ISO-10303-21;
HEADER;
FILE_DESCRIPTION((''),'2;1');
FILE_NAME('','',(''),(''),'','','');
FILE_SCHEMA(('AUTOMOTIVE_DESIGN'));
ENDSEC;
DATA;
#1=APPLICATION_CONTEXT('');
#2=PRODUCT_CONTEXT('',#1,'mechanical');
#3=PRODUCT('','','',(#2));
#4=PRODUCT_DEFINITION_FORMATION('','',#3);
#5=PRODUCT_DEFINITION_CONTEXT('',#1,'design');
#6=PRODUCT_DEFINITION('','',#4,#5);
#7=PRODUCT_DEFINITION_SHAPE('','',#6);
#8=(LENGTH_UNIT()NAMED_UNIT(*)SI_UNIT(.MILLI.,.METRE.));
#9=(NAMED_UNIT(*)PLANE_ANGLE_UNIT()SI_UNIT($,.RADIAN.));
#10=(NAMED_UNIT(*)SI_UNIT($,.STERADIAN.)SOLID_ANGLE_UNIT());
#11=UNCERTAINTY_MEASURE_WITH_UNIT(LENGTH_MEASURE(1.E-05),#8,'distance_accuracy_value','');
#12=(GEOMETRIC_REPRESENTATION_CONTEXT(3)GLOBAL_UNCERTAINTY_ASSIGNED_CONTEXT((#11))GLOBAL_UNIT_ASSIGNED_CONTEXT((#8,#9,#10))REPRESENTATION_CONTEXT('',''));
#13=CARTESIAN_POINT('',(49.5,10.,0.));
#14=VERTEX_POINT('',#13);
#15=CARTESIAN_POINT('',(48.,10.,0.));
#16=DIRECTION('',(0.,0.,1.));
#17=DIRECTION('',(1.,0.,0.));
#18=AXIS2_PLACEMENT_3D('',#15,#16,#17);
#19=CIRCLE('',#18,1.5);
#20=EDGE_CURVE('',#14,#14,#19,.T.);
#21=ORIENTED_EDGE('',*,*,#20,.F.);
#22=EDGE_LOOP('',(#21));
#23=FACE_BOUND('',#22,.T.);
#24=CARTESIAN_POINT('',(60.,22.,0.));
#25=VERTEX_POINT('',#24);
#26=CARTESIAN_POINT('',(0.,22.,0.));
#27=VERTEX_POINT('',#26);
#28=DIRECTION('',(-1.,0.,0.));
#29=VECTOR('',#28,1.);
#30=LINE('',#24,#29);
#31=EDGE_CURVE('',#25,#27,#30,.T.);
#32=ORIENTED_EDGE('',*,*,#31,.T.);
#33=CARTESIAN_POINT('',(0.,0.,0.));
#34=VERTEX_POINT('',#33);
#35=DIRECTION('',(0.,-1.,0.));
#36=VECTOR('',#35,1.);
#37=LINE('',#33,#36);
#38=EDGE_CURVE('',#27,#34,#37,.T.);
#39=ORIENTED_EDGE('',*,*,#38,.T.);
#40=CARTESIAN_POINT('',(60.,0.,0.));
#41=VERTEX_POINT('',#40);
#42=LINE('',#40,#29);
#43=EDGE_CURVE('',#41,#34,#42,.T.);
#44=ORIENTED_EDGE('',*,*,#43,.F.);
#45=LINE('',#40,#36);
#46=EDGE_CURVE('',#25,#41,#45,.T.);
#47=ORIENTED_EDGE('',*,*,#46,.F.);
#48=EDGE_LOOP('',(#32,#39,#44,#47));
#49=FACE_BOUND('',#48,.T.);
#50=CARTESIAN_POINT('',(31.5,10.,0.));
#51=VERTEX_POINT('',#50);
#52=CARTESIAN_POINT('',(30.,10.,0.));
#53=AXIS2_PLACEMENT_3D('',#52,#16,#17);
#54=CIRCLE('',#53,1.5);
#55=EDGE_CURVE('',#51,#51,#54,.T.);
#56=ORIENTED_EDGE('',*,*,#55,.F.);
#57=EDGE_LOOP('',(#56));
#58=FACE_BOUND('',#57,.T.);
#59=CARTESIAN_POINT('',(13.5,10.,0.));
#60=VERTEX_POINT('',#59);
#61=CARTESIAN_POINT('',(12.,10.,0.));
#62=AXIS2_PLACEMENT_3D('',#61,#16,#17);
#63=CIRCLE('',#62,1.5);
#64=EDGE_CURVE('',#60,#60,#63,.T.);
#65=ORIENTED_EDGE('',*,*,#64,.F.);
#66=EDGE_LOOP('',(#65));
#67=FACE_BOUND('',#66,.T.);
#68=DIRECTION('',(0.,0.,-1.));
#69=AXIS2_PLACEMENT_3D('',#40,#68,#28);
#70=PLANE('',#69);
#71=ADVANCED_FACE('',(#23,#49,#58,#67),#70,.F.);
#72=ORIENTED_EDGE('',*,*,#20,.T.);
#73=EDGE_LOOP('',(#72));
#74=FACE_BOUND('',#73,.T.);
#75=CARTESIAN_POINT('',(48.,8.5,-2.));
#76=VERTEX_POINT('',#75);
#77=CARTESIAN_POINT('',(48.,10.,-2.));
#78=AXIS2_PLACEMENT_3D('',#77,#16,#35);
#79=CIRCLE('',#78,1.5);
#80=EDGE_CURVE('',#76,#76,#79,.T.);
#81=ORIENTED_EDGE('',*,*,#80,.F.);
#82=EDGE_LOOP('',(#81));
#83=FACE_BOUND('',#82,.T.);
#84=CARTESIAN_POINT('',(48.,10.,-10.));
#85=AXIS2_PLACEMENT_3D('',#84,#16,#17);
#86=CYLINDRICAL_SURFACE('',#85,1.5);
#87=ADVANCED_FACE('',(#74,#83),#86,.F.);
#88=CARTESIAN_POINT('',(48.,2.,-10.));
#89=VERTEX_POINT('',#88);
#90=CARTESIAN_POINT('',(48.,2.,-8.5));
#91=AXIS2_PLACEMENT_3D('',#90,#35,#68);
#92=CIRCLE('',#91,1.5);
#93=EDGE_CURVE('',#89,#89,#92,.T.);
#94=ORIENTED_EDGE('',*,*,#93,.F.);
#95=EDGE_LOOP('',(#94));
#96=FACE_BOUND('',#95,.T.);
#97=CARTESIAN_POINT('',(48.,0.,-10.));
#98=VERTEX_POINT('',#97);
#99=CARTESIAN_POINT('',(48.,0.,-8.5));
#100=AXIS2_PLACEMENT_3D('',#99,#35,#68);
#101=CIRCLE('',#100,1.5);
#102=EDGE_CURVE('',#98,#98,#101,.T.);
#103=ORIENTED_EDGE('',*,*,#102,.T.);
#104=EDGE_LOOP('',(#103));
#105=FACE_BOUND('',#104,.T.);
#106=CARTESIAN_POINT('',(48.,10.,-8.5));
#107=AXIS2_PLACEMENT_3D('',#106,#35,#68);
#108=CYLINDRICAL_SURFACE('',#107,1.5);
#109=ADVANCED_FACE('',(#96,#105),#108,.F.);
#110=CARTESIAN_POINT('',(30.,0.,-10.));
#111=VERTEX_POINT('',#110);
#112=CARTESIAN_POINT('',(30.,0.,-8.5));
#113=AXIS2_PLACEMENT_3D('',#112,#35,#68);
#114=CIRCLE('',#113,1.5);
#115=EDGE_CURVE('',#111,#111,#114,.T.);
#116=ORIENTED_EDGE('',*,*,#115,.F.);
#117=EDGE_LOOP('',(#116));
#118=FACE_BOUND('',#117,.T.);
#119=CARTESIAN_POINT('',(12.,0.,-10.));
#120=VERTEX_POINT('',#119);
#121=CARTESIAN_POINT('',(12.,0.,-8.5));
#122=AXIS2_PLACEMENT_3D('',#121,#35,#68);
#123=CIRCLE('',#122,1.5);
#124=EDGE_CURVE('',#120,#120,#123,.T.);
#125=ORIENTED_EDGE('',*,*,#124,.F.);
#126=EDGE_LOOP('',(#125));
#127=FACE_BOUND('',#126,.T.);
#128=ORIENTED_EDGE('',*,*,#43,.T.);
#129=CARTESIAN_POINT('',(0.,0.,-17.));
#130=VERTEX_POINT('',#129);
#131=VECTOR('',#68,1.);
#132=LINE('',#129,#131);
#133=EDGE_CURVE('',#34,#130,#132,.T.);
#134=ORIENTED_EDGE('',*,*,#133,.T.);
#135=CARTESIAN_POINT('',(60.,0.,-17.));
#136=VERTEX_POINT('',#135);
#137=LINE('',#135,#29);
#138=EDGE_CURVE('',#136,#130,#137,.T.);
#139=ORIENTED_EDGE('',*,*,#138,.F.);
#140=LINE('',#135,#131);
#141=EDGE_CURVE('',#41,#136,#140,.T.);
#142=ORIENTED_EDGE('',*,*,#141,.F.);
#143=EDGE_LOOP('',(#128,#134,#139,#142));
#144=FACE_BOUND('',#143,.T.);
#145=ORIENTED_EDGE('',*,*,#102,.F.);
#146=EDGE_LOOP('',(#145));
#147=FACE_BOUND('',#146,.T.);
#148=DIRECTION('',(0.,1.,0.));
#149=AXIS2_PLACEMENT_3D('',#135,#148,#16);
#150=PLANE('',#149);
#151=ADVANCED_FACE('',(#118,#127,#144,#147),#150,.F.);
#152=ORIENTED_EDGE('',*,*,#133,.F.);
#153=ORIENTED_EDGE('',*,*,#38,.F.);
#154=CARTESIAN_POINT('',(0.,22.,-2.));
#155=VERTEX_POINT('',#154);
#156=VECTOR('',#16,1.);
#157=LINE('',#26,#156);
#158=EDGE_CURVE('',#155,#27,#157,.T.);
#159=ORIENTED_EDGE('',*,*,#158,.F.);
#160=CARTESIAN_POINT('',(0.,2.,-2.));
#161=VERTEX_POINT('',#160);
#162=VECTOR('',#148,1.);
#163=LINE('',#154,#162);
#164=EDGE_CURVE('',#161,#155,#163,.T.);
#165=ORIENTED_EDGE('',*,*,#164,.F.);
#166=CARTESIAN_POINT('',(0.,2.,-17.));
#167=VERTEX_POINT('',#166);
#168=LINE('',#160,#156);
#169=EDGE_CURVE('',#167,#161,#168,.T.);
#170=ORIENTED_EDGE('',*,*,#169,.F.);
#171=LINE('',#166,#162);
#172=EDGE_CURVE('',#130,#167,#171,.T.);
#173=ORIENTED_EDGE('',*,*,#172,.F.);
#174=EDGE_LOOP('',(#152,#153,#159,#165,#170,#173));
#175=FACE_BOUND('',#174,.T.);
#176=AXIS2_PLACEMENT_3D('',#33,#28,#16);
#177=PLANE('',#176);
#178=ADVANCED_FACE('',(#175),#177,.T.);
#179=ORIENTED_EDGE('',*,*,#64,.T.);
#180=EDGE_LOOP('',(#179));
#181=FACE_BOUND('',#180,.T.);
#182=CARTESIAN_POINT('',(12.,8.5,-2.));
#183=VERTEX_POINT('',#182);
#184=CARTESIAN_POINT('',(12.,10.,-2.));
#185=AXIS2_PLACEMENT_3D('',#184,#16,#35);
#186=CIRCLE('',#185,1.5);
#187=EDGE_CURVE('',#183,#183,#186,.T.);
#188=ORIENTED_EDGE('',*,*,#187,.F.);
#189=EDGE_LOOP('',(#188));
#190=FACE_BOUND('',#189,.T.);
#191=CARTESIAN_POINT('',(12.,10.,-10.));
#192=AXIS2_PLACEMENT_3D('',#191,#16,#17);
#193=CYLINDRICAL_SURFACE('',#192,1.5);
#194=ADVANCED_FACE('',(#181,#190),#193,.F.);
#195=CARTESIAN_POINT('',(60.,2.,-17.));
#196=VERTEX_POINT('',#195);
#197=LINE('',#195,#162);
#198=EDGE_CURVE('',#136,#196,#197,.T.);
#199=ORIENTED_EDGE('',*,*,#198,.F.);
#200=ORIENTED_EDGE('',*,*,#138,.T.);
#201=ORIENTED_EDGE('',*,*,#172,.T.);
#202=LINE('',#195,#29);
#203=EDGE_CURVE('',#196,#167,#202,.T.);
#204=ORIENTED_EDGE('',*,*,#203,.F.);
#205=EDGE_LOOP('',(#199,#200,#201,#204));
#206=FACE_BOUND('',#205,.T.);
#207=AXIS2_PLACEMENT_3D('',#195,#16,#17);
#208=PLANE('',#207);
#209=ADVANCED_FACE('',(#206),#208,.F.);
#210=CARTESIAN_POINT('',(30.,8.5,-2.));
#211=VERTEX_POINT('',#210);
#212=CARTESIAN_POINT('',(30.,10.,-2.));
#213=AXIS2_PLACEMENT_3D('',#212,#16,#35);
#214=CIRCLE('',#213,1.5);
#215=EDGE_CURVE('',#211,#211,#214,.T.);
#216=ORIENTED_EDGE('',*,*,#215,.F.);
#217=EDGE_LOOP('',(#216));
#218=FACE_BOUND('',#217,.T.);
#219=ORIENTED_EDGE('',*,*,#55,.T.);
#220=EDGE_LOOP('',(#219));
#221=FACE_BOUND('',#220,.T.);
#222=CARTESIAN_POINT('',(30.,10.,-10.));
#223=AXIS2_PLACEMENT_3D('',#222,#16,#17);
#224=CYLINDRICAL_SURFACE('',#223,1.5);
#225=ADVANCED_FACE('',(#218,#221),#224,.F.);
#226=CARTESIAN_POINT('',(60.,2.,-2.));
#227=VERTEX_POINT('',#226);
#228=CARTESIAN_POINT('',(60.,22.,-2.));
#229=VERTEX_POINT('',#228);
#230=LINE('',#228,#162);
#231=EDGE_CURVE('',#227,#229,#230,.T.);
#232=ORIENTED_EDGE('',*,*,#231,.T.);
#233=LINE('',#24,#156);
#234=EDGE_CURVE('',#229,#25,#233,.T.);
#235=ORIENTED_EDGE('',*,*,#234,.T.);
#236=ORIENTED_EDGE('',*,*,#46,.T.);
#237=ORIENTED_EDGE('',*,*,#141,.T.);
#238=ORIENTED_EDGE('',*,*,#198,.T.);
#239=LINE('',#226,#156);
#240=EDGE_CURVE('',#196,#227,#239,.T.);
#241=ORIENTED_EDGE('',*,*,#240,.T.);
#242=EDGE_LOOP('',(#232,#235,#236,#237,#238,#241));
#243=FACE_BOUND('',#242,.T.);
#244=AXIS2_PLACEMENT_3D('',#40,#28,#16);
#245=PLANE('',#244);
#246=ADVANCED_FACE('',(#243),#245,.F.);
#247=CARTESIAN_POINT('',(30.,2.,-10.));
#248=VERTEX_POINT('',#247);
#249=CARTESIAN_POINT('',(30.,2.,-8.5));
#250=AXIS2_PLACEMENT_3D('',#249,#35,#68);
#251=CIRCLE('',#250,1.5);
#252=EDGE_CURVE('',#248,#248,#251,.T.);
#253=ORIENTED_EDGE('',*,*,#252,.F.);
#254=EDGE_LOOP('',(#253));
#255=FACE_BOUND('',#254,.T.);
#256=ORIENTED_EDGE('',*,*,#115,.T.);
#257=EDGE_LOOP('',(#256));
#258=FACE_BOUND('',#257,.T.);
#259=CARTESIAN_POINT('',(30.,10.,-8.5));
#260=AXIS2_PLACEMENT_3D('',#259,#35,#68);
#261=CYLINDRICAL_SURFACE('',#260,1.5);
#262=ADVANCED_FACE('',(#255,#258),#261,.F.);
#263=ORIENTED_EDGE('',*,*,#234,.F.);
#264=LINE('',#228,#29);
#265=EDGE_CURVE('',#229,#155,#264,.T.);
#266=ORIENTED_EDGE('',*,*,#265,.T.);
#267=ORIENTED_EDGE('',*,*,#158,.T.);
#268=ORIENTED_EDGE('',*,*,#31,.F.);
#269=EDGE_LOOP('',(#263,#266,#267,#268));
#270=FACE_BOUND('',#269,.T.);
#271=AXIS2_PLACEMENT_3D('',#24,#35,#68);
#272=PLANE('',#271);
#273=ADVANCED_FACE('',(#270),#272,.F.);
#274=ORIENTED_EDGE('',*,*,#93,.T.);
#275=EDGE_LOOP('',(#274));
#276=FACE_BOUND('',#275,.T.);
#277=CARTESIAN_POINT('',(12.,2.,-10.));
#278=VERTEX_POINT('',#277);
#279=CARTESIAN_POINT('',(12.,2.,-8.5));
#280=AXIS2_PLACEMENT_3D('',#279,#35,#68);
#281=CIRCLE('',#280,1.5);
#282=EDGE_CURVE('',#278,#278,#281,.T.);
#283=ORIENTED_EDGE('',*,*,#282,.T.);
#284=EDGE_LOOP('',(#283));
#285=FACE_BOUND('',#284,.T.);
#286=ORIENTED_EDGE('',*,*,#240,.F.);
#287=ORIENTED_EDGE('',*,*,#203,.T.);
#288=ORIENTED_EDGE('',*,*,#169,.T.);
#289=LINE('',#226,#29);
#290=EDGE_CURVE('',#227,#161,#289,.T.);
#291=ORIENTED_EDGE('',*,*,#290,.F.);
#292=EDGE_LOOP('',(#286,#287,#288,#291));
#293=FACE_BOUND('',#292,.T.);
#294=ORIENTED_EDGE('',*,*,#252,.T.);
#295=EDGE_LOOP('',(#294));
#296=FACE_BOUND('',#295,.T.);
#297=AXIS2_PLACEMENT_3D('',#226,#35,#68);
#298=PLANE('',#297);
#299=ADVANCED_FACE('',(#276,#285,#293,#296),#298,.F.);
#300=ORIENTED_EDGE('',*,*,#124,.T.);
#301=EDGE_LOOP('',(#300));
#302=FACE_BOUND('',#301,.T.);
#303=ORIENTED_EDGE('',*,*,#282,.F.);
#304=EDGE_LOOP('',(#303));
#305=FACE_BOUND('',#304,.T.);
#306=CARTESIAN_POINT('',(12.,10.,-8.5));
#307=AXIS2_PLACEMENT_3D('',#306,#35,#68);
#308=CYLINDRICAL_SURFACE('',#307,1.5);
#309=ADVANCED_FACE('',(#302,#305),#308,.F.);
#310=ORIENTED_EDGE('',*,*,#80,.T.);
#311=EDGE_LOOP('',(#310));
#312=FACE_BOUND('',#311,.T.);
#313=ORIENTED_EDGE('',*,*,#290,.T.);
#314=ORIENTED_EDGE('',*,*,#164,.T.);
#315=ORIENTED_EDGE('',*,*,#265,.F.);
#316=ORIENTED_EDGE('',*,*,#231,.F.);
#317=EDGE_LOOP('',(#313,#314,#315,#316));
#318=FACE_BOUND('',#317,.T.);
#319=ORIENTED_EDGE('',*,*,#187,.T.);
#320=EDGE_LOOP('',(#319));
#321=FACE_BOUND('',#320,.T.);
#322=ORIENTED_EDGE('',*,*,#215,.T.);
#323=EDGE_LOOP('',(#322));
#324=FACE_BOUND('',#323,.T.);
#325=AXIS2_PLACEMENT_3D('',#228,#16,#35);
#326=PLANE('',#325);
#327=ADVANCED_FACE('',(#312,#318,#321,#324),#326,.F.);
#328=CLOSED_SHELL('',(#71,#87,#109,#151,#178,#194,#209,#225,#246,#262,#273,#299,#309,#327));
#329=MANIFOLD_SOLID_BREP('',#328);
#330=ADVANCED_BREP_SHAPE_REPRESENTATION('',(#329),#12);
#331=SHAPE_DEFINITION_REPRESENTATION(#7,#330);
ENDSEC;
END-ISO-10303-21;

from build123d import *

# Parameters (mm, degrees)
BOSS_EXTRUDE1_DEPTH = 60
SKETCH2_R           = 1.5
CUT_EXTRUDE1_DEPTH  = 10
SKETCH3_R           = 1.5
CUT_EXTRUDE2_DEPTH  = 10


with BuildPart() as part:
    # Sketch1 → Boss-Extrude1 (new body)
    with BuildSketch(Plane(origin=(0, 0, 0), x_dir=(0, 0, -1), z_dir=(1, 0, 0))):
        Polygon((0, 0), (0, 22), (2, 22), (2, 2), (17, 2), (17, 0), align=None)
    extrude(amount=BOSS_EXTRUDE1_DEPTH)

    # Sketch2 → Cut-Extrude1 (cut)
    with BuildSketch(Plane.XZ):
        with Locations(Location((30, -8.5, 0), (0, 0, 270))):
            Circle(SKETCH2_R)
        with Locations(Location((12, -8.5, 0), (0, 0, 270))):
            Circle(SKETCH2_R)
        with Locations(Location((48, -8.5, 0), (0, 0, 270))):
            Circle(SKETCH2_R)
    extrude(amount=-CUT_EXTRUDE1_DEPTH, mode=Mode.SUBTRACT)

    # Sketch3 → Cut-Extrude2 (cut)
    with BuildSketch(Plane.XY):
        with Locations((30, 10)):
            Circle(SKETCH3_R)
        with Locations((12, 10)):
            Circle(SKETCH3_R)
        with Locations((48, 10)):
            Circle(SKETCH3_R)
    extrude(amount=-CUT_EXTRUDE2_DEPTH, mode=Mode.SUBTRACT)


solid = part.part
